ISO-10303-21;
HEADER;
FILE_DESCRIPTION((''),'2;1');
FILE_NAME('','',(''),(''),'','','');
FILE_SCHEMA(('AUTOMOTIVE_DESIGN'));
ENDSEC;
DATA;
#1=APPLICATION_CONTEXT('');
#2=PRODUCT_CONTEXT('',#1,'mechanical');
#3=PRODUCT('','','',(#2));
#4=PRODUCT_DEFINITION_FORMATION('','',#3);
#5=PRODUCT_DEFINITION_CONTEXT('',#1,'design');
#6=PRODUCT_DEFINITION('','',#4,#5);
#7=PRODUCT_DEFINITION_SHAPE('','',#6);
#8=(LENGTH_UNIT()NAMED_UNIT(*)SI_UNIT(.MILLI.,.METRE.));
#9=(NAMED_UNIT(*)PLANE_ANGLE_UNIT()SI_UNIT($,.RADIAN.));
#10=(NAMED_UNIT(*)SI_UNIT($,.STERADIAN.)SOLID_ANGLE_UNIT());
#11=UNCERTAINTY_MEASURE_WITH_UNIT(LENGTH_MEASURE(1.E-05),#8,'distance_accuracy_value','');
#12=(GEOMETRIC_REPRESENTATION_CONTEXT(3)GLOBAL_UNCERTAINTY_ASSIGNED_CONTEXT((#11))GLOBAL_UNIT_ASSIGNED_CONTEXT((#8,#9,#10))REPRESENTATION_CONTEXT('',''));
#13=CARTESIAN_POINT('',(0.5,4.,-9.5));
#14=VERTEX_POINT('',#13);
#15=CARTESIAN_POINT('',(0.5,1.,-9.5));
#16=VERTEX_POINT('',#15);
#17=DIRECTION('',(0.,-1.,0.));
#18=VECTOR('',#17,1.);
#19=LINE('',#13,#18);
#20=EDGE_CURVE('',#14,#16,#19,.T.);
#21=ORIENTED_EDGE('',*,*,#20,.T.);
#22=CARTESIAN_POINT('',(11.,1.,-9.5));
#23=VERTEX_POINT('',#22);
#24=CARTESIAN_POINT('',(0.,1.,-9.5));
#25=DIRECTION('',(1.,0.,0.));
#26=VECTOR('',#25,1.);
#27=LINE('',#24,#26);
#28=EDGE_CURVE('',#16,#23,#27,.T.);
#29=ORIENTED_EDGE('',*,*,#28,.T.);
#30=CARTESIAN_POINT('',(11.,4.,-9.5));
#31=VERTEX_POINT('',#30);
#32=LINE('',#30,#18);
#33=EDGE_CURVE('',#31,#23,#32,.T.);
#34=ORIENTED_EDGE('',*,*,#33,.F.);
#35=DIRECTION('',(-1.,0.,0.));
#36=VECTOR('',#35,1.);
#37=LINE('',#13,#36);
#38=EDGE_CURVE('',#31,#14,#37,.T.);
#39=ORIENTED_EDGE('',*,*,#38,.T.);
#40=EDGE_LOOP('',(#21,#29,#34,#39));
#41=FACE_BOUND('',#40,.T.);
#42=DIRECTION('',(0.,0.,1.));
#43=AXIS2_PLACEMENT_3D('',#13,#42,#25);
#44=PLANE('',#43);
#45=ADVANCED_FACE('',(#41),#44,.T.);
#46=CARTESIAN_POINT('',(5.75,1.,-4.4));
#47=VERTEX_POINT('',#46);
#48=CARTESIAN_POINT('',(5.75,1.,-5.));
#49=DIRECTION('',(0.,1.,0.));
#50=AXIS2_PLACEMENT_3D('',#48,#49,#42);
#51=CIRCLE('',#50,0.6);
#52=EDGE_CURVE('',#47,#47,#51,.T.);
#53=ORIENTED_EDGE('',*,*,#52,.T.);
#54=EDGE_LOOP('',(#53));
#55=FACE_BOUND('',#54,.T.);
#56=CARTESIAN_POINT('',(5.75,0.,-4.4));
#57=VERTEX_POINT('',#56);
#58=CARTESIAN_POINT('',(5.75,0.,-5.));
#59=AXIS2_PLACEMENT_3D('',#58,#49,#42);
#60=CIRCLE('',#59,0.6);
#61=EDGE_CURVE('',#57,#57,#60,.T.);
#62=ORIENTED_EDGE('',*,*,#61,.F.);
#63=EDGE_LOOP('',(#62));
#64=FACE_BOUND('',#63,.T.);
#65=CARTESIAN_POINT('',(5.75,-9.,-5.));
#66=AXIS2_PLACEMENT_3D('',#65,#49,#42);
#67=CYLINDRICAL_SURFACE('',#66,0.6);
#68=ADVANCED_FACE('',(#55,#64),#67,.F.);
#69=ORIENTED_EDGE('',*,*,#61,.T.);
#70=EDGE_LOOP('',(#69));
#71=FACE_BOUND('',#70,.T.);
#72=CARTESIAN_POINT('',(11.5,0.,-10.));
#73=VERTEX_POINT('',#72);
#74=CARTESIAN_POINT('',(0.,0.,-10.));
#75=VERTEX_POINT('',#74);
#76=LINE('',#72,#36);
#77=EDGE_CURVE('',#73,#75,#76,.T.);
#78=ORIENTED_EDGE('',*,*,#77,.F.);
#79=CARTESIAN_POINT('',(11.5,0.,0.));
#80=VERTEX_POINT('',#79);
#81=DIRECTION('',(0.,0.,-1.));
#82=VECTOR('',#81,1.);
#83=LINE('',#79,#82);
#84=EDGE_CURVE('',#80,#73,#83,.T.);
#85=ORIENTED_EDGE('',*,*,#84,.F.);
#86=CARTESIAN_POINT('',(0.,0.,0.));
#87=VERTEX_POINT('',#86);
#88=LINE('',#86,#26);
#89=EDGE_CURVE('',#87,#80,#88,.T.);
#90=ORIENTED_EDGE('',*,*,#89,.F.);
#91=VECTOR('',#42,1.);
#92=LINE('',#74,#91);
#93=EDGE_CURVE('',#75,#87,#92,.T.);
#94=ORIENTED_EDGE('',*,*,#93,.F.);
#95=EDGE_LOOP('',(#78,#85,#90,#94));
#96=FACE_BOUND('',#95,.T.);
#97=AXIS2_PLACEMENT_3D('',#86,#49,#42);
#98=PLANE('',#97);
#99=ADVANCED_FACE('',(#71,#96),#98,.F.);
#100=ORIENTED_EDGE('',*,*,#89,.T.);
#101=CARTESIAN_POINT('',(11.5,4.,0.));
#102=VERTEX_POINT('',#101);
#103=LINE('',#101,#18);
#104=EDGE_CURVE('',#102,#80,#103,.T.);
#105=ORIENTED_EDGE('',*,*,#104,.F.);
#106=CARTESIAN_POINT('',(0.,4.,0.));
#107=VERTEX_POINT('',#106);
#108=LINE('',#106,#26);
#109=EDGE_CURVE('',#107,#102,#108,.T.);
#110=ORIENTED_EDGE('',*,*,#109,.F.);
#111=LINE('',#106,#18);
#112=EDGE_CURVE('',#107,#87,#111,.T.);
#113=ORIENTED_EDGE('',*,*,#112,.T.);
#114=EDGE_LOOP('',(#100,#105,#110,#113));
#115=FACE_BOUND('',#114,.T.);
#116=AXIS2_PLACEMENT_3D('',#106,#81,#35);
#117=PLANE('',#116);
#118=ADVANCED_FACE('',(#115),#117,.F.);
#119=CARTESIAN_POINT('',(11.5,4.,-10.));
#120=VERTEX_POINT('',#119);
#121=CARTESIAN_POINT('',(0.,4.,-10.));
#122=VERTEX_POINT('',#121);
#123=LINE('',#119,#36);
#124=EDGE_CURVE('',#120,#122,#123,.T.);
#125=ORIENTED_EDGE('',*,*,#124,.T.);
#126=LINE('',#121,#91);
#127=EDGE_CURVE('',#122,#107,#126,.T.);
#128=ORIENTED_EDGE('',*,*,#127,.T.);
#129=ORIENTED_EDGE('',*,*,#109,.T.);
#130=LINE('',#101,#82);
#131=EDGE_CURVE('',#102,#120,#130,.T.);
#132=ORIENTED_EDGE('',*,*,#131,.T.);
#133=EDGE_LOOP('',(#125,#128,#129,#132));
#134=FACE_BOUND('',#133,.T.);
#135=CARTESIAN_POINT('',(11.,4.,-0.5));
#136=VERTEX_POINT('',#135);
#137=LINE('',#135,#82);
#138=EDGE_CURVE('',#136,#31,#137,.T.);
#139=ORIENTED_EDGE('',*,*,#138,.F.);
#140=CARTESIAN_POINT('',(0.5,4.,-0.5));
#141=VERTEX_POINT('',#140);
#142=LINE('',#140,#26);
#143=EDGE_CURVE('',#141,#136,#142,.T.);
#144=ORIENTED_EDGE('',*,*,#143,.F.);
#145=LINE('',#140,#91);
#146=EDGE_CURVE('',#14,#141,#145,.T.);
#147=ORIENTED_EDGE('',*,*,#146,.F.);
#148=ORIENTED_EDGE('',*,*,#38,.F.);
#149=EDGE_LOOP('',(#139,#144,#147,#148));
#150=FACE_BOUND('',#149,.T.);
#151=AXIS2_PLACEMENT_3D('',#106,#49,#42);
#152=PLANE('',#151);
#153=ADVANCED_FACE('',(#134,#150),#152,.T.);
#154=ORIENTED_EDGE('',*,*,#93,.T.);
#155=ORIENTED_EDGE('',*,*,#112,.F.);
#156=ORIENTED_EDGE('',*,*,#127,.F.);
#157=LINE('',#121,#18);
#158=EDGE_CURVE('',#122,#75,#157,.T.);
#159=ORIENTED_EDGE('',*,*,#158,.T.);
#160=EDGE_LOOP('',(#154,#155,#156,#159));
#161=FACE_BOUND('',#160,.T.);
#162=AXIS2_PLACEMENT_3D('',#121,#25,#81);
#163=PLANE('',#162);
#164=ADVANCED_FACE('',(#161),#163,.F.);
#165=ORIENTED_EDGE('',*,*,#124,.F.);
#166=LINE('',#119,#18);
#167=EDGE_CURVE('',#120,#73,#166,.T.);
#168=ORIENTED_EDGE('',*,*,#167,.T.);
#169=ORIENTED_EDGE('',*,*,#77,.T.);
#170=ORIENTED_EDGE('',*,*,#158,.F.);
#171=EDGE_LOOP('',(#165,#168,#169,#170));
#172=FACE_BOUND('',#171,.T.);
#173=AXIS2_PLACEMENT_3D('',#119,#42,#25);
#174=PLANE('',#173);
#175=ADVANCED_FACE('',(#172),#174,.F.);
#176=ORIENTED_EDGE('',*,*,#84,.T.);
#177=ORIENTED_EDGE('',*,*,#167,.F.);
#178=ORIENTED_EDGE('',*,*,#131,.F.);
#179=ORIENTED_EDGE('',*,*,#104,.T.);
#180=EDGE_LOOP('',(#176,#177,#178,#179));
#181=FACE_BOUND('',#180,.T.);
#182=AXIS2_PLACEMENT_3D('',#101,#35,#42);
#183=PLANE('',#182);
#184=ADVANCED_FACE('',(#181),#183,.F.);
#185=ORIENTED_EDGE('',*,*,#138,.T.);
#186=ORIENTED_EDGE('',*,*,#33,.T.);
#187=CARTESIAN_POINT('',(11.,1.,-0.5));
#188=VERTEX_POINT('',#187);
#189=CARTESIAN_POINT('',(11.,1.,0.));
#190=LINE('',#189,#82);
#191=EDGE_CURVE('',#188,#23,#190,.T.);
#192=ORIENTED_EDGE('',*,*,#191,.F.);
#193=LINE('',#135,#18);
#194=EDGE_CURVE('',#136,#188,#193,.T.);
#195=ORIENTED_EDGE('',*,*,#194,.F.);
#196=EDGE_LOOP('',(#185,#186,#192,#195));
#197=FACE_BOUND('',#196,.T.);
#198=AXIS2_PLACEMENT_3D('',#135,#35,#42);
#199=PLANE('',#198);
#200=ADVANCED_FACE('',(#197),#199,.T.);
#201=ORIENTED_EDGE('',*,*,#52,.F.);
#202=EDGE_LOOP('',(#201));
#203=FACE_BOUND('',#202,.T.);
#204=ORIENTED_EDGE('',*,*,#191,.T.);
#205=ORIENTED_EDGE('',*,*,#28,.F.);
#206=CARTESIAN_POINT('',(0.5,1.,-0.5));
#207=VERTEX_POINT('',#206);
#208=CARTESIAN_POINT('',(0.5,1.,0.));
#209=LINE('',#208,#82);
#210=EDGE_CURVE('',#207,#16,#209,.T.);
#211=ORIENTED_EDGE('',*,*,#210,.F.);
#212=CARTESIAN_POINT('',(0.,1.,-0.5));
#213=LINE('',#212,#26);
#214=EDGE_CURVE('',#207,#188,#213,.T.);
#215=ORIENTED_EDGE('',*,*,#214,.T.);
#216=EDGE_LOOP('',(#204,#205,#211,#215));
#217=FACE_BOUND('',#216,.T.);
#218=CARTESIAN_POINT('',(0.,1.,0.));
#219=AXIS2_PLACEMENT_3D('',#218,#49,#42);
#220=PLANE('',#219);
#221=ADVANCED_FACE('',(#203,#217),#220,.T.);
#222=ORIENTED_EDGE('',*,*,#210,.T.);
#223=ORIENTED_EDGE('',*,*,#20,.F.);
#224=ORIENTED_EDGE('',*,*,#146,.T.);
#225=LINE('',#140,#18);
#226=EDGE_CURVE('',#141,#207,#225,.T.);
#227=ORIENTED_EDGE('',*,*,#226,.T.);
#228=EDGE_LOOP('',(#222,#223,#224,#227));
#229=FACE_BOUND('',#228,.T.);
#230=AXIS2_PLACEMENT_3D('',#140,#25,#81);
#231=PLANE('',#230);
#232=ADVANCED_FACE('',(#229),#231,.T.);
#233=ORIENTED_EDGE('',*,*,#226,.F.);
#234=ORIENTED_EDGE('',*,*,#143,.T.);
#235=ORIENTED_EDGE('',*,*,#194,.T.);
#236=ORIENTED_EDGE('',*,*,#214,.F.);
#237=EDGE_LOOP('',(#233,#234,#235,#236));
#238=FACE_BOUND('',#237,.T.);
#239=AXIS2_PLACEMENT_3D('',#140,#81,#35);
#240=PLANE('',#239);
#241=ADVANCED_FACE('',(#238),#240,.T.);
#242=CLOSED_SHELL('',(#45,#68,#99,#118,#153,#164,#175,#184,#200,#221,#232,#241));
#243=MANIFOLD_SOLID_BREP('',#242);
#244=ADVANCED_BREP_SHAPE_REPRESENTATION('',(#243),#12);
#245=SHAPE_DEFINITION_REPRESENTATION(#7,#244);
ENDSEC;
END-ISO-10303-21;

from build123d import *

# Parameters (mm, degrees)
SKETCH2_W           = 10.5
SKETCH2_H           = 9
BOSS_EXTRUDE2_DEPTH = 1
SKETCH2_3_W         = 11.5
SKETCH2_3_H         = 10
SKETCH2_3_W_2       = 10.5
SKETCH2_3_H_2       = 9
BOSS_EXTRUDE3_DEPTH = 4
SKETCH3_R           = 0.6
CUT_EXTRUDE1_DEPTH  = 10


with BuildPart() as part:
    # Sketch2 → Boss-Extrude2 (new body)
    with BuildSketch(Plane(origin=(0, 0, 0), x_dir=(1, 0, 0), z_dir=(0, 1, 0))):
        with Locations((5.75, 5)):
            Rectangle(SKETCH2_W, SKETCH2_H)
    extrude(amount=BOSS_EXTRUDE2_DEPTH)

    # Sketch2<3> → Boss-Extrude3 (add)
    with BuildSketch(Plane(origin=(0, 0, 0), x_dir=(1, 0, 0), z_dir=(0, 1, 0))):
        with Locations((5.75, 5)):
            Rectangle(SKETCH2_3_W, SKETCH2_3_H)
        with Locations((5.75, 5)):
            Rectangle(SKETCH2_3_W_2, SKETCH2_3_H_2, mode=Mode.SUBTRACT)
    extrude(amount=BOSS_EXTRUDE3_DEPTH)

    # Sketch3 → Cut-Extrude1 (cut)
    with BuildSketch(Plane(origin=(0, 1, 0), x_dir=(1, 0, 0), z_dir=(0, 1, 0))):
        with Locations((5.75, 5)):
            Circle(SKETCH3_R)
    extrude(amount=-CUT_EXTRUDE1_DEPTH, mode=Mode.SUBTRACT)


solid = part.part
